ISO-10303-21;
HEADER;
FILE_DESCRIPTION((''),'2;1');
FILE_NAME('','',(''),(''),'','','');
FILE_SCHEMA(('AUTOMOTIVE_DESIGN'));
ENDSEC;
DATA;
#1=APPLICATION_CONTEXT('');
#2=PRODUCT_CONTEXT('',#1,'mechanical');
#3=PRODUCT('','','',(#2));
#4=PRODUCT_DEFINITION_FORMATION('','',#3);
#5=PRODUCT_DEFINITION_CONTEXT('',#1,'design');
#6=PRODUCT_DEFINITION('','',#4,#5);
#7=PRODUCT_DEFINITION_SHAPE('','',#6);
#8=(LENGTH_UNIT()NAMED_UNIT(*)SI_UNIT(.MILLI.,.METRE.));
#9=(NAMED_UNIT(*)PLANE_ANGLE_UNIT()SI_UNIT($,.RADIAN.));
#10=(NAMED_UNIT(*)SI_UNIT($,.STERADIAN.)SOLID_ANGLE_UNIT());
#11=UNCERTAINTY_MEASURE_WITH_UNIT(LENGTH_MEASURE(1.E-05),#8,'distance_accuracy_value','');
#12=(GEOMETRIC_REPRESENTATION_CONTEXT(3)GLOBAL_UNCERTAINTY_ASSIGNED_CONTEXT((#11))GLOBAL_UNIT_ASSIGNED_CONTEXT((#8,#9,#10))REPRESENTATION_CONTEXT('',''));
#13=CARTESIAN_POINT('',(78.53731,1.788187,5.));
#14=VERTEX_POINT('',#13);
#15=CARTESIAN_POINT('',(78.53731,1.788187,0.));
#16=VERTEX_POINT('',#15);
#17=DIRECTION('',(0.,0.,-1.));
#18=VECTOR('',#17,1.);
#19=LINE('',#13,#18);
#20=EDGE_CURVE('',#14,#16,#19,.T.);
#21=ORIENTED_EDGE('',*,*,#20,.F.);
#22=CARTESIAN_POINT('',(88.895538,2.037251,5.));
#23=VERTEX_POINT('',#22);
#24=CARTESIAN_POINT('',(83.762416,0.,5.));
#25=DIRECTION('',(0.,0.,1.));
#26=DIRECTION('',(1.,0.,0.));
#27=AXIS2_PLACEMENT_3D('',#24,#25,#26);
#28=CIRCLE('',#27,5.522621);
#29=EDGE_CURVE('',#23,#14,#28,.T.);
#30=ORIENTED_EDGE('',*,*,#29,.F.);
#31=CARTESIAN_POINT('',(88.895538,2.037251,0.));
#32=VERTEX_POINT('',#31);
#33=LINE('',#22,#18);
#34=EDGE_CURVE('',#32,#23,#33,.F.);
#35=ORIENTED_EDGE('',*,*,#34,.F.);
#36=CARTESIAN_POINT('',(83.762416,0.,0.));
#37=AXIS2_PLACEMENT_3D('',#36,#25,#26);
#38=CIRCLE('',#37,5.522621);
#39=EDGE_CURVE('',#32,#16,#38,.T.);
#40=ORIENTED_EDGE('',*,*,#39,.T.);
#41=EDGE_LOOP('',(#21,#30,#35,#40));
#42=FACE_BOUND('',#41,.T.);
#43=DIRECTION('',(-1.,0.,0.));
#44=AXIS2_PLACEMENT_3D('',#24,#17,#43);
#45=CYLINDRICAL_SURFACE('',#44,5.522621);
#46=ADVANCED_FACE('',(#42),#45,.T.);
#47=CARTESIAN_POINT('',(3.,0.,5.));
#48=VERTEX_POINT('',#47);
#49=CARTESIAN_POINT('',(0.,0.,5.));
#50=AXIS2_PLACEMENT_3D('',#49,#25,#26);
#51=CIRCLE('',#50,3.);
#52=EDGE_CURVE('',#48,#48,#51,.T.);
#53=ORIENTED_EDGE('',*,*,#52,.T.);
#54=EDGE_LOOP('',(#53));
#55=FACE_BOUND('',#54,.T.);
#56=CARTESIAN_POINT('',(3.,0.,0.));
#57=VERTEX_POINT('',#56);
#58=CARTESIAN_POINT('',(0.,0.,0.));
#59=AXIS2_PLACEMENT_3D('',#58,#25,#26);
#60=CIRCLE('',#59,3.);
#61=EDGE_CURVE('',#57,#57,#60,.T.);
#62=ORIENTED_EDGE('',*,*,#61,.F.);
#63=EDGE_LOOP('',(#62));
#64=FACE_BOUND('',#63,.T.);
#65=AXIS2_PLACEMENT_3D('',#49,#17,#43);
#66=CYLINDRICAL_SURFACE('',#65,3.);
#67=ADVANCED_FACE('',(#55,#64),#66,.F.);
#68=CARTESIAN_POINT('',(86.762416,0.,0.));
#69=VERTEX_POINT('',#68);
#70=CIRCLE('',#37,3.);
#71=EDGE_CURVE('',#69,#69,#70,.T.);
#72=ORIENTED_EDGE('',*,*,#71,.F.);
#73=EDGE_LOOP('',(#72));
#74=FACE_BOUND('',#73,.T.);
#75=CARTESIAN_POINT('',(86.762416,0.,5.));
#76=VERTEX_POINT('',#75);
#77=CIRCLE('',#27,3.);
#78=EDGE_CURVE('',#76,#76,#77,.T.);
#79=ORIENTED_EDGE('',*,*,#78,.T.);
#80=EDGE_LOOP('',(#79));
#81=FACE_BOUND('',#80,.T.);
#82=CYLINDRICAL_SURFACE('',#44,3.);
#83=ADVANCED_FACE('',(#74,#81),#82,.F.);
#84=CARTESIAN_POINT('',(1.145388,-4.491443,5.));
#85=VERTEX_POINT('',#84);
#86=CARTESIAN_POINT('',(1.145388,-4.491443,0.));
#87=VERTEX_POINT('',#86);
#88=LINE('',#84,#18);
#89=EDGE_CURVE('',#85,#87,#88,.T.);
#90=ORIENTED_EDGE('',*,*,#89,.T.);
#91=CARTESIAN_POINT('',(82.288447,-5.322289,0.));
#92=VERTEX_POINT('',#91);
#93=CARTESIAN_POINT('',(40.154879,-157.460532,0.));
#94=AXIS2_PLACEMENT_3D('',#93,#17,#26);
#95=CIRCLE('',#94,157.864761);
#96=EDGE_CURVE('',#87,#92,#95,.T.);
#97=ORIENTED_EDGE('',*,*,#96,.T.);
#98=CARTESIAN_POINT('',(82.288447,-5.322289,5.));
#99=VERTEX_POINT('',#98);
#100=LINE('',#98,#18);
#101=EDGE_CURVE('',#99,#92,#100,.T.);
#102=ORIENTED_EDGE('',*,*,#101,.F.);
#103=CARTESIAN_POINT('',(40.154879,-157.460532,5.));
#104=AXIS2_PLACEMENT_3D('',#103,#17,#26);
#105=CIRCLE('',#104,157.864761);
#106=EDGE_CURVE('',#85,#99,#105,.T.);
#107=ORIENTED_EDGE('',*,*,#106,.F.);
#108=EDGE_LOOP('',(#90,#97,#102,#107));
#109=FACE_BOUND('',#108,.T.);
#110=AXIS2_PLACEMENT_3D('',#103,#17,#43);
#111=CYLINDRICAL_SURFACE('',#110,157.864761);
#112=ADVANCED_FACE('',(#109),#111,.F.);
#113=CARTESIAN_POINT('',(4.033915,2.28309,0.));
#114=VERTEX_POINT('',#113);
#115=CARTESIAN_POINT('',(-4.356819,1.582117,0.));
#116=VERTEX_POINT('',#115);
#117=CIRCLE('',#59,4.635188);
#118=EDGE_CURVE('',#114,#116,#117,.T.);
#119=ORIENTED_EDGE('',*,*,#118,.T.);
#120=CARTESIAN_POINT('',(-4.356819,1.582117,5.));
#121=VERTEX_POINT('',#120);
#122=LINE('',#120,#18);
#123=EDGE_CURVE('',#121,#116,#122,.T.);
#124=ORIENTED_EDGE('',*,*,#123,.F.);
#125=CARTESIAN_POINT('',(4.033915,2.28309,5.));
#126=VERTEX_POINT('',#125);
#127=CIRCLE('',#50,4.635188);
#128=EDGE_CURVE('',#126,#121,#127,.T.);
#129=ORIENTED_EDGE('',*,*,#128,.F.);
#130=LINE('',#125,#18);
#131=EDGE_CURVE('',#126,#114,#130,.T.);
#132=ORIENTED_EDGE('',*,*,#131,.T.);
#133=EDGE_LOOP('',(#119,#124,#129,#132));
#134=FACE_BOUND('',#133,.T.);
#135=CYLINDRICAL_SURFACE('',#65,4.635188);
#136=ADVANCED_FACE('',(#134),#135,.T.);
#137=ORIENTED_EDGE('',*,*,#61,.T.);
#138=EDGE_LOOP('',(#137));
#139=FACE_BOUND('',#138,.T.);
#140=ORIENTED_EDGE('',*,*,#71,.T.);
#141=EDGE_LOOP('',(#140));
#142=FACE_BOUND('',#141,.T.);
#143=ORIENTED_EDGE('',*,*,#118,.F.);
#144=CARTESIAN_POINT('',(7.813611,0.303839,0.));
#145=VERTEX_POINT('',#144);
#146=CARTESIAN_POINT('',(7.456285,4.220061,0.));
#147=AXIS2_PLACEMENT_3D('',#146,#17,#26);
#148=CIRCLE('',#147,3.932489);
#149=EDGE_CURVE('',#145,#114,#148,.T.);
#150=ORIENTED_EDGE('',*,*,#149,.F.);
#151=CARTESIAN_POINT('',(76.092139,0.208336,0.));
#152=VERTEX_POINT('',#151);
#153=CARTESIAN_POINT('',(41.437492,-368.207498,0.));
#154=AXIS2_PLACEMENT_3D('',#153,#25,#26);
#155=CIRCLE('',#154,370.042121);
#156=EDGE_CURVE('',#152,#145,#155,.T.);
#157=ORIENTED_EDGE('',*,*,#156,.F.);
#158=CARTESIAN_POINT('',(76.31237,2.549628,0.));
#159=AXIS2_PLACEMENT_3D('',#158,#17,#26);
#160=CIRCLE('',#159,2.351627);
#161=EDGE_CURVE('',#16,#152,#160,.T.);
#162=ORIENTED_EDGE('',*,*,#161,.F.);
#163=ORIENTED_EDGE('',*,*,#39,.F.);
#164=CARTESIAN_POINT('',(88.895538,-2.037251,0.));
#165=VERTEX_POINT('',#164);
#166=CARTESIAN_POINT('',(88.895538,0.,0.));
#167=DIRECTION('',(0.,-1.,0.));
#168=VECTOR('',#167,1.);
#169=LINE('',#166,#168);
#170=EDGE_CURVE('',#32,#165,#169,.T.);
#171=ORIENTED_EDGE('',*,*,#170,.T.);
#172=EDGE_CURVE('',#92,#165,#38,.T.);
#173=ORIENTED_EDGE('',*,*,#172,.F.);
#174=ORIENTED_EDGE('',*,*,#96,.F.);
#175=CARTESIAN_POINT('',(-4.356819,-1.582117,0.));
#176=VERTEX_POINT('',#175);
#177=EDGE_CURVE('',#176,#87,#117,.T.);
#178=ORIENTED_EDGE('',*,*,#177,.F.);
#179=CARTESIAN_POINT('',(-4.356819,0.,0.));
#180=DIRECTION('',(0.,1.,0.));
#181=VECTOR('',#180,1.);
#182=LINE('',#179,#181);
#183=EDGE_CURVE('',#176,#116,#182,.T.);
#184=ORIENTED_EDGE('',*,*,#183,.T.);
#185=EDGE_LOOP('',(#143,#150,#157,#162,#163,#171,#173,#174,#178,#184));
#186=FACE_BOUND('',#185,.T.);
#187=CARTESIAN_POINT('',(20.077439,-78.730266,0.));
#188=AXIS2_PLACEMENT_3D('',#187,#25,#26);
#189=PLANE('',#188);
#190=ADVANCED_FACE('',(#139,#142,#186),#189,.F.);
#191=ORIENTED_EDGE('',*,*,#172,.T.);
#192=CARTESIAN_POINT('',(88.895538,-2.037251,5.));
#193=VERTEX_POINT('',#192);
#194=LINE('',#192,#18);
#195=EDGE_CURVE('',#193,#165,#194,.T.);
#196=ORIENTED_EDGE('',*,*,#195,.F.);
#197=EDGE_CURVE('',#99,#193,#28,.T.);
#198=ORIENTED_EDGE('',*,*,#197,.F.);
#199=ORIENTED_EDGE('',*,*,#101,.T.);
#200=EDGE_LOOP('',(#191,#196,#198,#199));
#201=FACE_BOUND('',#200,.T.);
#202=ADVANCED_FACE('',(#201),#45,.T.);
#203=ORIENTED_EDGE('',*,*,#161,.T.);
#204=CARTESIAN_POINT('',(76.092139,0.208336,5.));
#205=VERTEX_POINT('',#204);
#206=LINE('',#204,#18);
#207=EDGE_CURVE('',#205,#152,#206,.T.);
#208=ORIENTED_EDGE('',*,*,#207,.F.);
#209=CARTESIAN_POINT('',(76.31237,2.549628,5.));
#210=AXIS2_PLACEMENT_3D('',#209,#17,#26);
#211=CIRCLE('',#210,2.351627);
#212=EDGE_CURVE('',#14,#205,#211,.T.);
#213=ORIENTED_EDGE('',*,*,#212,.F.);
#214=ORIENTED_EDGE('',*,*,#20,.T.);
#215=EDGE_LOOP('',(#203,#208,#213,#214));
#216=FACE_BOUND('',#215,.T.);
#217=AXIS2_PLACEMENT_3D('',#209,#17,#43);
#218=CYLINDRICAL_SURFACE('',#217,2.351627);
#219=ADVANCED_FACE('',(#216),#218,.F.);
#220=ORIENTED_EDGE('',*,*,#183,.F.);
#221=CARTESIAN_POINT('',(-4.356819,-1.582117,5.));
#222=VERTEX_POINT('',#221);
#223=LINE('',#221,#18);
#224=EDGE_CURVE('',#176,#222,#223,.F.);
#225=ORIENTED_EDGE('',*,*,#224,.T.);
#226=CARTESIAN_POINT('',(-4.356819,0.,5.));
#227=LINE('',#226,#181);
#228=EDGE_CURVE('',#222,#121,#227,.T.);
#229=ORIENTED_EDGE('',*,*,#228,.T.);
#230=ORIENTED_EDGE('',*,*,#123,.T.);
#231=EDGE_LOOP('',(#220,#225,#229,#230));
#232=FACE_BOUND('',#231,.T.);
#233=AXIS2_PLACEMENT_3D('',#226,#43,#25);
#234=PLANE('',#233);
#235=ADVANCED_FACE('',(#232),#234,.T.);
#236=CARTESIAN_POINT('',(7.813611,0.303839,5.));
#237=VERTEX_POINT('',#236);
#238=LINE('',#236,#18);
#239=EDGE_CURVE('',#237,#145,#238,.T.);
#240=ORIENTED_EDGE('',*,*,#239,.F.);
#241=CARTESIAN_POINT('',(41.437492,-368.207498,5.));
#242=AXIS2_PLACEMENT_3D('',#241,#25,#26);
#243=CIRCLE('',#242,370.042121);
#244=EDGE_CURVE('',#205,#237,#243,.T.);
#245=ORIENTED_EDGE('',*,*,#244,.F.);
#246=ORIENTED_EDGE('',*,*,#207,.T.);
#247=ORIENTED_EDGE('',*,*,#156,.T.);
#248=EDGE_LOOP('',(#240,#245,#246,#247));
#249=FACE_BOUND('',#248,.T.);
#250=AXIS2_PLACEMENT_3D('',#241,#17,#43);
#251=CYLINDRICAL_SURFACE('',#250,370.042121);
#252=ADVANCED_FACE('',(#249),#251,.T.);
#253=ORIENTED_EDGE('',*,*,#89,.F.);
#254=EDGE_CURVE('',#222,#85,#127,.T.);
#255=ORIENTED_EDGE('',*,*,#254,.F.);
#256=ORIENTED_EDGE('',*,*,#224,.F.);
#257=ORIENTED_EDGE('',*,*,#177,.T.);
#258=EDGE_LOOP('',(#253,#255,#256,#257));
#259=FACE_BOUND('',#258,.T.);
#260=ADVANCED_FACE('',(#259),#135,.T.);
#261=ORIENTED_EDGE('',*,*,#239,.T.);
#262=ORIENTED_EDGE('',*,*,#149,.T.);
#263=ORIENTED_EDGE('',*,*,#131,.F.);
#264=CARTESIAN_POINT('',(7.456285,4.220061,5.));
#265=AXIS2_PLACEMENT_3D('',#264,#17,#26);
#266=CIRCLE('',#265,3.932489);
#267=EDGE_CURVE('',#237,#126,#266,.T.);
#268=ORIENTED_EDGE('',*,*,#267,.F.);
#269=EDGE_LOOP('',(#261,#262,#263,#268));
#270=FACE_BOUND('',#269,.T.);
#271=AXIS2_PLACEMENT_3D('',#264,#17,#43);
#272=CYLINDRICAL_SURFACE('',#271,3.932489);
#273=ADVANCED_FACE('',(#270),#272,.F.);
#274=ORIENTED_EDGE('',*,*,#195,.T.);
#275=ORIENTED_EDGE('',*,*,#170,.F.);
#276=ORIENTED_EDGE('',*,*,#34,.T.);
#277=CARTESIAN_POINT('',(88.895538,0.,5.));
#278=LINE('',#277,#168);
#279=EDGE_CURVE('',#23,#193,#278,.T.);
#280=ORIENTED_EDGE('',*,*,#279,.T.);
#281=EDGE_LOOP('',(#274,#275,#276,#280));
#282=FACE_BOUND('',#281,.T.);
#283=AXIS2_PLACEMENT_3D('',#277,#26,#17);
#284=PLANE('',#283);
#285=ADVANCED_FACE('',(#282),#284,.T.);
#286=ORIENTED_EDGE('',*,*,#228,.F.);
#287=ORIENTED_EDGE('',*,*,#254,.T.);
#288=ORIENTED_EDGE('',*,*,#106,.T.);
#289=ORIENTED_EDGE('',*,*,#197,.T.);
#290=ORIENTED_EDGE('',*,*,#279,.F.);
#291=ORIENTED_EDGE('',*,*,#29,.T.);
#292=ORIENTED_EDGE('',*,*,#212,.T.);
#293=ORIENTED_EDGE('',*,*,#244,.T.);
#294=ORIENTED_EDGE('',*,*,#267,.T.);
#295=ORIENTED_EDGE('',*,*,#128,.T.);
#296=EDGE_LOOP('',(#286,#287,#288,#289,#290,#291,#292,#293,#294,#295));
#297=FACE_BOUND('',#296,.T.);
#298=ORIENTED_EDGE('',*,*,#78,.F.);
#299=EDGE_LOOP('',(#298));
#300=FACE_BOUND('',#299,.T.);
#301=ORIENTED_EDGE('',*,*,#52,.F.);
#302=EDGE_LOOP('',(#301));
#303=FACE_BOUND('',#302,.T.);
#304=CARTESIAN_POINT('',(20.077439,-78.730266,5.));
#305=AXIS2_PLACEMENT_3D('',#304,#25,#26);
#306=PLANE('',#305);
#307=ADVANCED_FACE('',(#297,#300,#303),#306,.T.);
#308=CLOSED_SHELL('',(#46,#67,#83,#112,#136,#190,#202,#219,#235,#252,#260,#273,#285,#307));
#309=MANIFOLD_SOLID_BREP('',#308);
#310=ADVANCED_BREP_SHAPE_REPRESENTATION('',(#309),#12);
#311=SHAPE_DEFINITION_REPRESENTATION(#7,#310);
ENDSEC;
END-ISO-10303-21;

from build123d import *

# Parameters (mm, degrees)
SZKIC1_R                    = 3.000000079
DODANIE_WYCI_GNI_CIE1_DEPTH = 5
SZKIC2_W                    = 105.552332286
SZKIC2_H                    = 7.505645785
SZKIC2_W_2                  = 0.651830256
SZKIC2_H_2                  = 5.051684483
WYTNIJ_WYCI_GNI_CIE3_DEPTH  = 6


with BuildPart() as part:
    # Szkic1 → Dodanie-wyciągnięcie1 (new body)
    with BuildSketch(Plane.XY):
        with BuildLine():
            ThreePointArc((82.288446866, -5.322288535), (88.646994763, 2.576863373), (78.537310202, 1.78818708))
            ThreePointArc((78.537310202, 1.78818708), (77.588574134, 0.574418105), (76.092138721, 0.208335732))
            ThreePointArc((76.092138721, 0.208335732), (41.955082096, 1.834260744), (7.813610577, 0.303839332))
            ThreePointArc((7.813610577, 0.303839332), (5.63200922, 0.736314196), (4.033915145, 2.283089654))
            ThreePointArc((4.033915145, 2.283089654), (-4.263785422, 1.817994402), (1.14538756, -4.491442653))
            ThreePointArc((1.14538756, -4.491442653), (41.771214226, 0.395953927), (82.288446866, -5.322288535))
        make_face()
        Circle(SZKIC1_R, mode=Mode.SUBTRACT)
        with Locations((83.76241555, 0)):
            Circle(SZKIC1_R, mode=Mode.SUBTRACT)
    extrude(amount=DODANIE_WYCI_GNI_CIE1_DEPTH)

    # Szkic2 → Wytnij-wyciągnięcie3 (cut, through all)
    with BuildSketch(Plane.XY):
        with Locations((141.671704443, 0.381285041)):
            Rectangle(SZKIC2_W, SZKIC2_H)
        with Locations((-4.682734605, -0.038745932)):
            Rectangle(SZKIC2_W_2, SZKIC2_H_2)
    extrude(amount=WYTNIJ_WYCI_GNI_CIE3_DEPTH, mode=Mode.SUBTRACT)


solid = part.part
